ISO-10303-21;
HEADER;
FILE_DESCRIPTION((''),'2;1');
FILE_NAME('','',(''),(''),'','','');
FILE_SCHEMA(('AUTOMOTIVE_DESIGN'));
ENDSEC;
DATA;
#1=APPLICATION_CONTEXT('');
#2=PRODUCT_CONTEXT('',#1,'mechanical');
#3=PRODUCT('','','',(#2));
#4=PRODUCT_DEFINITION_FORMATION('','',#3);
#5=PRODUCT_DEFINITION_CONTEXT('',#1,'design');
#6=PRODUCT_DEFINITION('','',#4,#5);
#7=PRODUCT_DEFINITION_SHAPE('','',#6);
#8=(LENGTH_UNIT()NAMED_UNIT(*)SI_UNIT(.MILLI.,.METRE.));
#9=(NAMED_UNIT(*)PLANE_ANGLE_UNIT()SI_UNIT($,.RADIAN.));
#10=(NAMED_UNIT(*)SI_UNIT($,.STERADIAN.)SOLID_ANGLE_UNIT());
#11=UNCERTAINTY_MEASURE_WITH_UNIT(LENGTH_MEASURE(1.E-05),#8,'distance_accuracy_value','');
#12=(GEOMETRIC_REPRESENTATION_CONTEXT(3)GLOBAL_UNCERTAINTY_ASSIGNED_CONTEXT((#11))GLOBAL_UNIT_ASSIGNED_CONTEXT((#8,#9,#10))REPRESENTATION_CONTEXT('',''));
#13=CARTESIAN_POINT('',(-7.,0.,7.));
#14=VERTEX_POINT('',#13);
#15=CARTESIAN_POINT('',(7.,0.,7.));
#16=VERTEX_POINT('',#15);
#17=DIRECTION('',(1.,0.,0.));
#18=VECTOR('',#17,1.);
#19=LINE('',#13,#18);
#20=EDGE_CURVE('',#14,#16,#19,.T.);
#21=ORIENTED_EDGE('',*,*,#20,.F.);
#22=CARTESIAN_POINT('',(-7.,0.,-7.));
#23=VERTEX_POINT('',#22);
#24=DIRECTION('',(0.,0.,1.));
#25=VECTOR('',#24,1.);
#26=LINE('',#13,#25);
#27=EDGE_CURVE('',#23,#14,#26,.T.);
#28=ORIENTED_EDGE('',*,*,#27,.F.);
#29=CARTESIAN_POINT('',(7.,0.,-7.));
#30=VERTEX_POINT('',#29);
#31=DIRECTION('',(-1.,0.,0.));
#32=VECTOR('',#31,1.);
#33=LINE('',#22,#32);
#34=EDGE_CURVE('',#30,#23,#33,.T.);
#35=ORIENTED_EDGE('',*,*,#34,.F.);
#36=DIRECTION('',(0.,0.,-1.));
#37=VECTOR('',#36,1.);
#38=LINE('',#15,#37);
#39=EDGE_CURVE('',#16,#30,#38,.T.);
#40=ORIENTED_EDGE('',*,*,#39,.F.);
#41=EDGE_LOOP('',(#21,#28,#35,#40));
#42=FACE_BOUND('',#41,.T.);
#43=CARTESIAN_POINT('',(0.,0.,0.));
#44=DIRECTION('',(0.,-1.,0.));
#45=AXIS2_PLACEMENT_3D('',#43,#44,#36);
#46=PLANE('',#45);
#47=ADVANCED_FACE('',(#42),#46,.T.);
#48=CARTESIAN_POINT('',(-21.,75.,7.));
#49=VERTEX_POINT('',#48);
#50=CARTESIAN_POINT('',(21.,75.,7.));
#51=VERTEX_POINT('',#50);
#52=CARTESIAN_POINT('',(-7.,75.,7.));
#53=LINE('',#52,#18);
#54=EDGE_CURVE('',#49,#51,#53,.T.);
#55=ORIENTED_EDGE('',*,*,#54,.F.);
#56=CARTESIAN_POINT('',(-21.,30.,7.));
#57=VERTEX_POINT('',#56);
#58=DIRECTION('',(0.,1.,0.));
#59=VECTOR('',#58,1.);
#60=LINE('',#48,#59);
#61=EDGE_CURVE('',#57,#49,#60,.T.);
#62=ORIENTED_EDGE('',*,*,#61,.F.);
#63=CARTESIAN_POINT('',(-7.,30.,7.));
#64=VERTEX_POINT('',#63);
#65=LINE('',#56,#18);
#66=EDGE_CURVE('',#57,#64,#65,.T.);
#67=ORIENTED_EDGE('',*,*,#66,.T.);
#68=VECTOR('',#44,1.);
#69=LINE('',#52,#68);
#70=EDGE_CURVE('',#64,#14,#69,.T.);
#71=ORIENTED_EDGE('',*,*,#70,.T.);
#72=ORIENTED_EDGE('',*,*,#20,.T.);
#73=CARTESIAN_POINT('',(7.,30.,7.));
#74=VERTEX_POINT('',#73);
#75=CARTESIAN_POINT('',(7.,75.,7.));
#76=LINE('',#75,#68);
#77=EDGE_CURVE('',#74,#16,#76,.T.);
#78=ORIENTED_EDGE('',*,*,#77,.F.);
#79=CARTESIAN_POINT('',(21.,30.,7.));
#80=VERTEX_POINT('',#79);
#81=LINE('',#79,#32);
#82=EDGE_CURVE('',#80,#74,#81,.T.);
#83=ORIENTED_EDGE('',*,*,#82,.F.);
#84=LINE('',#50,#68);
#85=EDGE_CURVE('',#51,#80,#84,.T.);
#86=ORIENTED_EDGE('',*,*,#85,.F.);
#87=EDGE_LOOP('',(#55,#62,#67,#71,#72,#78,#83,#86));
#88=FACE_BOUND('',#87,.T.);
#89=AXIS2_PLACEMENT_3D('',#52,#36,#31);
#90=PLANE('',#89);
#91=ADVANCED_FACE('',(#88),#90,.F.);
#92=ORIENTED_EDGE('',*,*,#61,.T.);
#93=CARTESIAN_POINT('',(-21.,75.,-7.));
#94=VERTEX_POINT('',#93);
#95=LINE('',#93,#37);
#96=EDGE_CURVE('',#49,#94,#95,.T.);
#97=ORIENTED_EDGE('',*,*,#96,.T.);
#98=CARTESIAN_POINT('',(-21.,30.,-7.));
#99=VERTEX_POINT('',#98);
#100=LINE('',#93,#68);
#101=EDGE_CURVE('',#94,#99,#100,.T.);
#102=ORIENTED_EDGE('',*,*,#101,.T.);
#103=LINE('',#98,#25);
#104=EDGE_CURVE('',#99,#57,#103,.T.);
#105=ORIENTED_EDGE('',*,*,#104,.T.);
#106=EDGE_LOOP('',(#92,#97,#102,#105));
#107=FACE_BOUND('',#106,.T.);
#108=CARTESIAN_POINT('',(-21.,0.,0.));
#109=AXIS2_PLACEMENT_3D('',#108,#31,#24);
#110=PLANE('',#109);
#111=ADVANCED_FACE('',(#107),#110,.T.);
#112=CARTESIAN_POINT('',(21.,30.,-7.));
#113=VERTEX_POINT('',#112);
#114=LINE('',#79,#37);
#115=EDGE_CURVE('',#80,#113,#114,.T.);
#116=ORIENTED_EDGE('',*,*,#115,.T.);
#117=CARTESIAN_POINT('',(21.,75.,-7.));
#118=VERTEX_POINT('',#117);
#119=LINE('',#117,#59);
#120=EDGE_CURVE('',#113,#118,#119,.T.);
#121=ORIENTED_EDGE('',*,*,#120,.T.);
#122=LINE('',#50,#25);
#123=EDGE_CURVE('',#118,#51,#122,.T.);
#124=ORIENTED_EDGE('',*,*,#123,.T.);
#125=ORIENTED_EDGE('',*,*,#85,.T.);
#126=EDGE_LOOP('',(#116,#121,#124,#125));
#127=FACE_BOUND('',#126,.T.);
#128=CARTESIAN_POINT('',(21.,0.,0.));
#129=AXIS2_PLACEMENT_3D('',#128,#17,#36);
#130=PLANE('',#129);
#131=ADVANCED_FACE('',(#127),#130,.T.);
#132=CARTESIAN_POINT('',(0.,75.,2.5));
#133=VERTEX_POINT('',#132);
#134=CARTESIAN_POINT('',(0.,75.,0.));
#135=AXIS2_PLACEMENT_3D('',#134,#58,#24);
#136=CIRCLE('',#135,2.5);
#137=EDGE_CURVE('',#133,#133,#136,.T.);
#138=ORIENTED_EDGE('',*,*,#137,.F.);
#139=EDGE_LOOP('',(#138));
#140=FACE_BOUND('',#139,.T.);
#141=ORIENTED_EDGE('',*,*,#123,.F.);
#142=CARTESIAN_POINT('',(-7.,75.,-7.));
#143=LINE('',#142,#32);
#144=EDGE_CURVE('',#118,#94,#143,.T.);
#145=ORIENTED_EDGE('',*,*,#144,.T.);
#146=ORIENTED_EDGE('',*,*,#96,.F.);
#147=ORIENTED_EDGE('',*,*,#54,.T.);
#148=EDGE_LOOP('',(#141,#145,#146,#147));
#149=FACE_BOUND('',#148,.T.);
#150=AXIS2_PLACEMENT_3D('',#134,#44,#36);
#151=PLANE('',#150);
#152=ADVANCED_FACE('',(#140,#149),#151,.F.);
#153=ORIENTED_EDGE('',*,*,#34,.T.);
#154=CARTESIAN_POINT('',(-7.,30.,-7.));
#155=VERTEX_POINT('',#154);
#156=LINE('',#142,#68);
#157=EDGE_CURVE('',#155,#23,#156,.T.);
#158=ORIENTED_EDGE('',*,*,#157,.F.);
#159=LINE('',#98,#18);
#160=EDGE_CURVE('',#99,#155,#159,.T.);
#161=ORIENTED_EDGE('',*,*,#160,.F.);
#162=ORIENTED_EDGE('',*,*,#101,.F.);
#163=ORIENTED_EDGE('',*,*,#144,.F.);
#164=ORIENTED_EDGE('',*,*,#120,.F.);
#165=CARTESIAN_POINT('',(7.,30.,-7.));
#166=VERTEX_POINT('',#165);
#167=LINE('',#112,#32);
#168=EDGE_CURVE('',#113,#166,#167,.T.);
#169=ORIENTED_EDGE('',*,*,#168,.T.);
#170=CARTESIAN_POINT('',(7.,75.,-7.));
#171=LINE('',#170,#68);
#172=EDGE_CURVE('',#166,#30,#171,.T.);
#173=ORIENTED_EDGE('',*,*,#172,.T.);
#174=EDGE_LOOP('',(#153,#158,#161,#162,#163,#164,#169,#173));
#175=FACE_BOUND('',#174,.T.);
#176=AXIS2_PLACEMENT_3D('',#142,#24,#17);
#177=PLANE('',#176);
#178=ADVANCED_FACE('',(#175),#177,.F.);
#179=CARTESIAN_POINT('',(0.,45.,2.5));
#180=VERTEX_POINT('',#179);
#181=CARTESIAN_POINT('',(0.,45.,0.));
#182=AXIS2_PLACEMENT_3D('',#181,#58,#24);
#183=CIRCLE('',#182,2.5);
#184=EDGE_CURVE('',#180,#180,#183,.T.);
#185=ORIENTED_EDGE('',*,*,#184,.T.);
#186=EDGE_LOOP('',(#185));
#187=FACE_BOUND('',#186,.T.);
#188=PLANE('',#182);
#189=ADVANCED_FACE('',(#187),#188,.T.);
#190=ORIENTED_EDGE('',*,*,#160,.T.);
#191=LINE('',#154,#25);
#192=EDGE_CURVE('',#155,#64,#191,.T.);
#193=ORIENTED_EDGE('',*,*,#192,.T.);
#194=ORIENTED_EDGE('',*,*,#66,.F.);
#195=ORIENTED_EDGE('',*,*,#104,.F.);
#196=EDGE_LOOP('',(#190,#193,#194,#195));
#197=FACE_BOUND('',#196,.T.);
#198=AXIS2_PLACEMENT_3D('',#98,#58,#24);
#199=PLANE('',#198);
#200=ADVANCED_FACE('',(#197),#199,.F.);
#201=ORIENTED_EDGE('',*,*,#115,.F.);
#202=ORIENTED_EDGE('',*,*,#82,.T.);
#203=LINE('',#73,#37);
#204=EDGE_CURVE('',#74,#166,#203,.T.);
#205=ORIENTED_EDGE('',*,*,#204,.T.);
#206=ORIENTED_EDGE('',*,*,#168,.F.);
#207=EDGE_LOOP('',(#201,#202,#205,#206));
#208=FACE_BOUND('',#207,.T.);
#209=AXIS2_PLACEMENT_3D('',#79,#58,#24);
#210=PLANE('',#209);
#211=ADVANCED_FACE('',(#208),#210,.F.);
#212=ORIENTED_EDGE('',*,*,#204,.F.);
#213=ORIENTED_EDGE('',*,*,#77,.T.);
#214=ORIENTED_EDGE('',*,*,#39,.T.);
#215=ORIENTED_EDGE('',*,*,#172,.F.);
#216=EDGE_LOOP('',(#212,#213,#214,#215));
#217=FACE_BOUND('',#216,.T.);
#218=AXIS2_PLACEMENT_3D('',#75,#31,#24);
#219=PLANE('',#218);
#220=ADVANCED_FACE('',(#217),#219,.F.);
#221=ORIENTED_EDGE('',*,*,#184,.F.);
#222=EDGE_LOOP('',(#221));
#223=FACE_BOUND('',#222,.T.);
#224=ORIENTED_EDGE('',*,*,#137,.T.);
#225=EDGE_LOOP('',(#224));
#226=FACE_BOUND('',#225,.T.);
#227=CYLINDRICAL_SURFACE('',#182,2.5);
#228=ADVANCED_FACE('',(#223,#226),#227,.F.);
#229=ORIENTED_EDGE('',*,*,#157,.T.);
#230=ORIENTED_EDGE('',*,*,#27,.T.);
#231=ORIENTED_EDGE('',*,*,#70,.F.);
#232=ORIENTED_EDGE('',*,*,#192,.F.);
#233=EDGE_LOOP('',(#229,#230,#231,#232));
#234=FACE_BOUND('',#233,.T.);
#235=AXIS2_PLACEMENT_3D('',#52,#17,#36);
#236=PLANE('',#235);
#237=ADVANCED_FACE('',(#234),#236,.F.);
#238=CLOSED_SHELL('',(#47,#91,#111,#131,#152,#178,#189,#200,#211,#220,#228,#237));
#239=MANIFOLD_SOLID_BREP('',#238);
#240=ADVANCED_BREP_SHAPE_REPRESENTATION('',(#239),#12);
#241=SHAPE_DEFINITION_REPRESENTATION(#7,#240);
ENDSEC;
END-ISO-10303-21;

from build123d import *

# Parameters (mm, degrees)
SKETCH1_W           = 14
SKETCH1_H           = 14
BOSS_EXTRUDE1_DEPTH = 75
SKETCH2_R           = 2.5
CUT_EXTRUDE1_DEPTH  = 30
SKETCH3_W           = 14
SKETCH3_H           = 45
BOSS_EXTRUDE2_DEPTH = 14
SKETCH4_W           = 14
SKETCH4_H           = 45
BOSS_EXTRUDE3_DEPTH = 14


with BuildPart() as part:
    # Sketch1 → Boss-Extrude1 (new body)
    with BuildSketch(Plane(origin=(0, 0, 0), x_dir=(1, 0, 0), z_dir=(0, 1, 0))):
        Rectangle(SKETCH1_W, SKETCH1_H)
    extrude(amount=BOSS_EXTRUDE1_DEPTH)

    # Sketch2 → Cut-Extrude1 (cut)
    with BuildSketch(Plane(origin=(0, 75, 0), x_dir=(1, 0, 0), z_dir=(0, 1, 0))):
        Circle(SKETCH2_R)
    extrude(amount=-CUT_EXTRUDE1_DEPTH, mode=Mode.SUBTRACT)

    # Sketch3 → Boss-Extrude2 (add)
    with BuildSketch(Plane(origin=(7, 0, 0), x_dir=(0, 0, -1), z_dir=(1, 0, 0))):
        with Locations((0, 52.5)):
            Rectangle(SKETCH3_W, SKETCH3_H)
    extrude(amount=BOSS_EXTRUDE2_DEPTH)

    # Sketch4 → Boss-Extrude3 (add)
    with BuildSketch(Plane.ZY.offset(7)):
        with Locations((0, 52.5)):
            Rectangle(SKETCH4_W, SKETCH4_H)
    extrude(amount=BOSS_EXTRUDE3_DEPTH)


solid = part.part
